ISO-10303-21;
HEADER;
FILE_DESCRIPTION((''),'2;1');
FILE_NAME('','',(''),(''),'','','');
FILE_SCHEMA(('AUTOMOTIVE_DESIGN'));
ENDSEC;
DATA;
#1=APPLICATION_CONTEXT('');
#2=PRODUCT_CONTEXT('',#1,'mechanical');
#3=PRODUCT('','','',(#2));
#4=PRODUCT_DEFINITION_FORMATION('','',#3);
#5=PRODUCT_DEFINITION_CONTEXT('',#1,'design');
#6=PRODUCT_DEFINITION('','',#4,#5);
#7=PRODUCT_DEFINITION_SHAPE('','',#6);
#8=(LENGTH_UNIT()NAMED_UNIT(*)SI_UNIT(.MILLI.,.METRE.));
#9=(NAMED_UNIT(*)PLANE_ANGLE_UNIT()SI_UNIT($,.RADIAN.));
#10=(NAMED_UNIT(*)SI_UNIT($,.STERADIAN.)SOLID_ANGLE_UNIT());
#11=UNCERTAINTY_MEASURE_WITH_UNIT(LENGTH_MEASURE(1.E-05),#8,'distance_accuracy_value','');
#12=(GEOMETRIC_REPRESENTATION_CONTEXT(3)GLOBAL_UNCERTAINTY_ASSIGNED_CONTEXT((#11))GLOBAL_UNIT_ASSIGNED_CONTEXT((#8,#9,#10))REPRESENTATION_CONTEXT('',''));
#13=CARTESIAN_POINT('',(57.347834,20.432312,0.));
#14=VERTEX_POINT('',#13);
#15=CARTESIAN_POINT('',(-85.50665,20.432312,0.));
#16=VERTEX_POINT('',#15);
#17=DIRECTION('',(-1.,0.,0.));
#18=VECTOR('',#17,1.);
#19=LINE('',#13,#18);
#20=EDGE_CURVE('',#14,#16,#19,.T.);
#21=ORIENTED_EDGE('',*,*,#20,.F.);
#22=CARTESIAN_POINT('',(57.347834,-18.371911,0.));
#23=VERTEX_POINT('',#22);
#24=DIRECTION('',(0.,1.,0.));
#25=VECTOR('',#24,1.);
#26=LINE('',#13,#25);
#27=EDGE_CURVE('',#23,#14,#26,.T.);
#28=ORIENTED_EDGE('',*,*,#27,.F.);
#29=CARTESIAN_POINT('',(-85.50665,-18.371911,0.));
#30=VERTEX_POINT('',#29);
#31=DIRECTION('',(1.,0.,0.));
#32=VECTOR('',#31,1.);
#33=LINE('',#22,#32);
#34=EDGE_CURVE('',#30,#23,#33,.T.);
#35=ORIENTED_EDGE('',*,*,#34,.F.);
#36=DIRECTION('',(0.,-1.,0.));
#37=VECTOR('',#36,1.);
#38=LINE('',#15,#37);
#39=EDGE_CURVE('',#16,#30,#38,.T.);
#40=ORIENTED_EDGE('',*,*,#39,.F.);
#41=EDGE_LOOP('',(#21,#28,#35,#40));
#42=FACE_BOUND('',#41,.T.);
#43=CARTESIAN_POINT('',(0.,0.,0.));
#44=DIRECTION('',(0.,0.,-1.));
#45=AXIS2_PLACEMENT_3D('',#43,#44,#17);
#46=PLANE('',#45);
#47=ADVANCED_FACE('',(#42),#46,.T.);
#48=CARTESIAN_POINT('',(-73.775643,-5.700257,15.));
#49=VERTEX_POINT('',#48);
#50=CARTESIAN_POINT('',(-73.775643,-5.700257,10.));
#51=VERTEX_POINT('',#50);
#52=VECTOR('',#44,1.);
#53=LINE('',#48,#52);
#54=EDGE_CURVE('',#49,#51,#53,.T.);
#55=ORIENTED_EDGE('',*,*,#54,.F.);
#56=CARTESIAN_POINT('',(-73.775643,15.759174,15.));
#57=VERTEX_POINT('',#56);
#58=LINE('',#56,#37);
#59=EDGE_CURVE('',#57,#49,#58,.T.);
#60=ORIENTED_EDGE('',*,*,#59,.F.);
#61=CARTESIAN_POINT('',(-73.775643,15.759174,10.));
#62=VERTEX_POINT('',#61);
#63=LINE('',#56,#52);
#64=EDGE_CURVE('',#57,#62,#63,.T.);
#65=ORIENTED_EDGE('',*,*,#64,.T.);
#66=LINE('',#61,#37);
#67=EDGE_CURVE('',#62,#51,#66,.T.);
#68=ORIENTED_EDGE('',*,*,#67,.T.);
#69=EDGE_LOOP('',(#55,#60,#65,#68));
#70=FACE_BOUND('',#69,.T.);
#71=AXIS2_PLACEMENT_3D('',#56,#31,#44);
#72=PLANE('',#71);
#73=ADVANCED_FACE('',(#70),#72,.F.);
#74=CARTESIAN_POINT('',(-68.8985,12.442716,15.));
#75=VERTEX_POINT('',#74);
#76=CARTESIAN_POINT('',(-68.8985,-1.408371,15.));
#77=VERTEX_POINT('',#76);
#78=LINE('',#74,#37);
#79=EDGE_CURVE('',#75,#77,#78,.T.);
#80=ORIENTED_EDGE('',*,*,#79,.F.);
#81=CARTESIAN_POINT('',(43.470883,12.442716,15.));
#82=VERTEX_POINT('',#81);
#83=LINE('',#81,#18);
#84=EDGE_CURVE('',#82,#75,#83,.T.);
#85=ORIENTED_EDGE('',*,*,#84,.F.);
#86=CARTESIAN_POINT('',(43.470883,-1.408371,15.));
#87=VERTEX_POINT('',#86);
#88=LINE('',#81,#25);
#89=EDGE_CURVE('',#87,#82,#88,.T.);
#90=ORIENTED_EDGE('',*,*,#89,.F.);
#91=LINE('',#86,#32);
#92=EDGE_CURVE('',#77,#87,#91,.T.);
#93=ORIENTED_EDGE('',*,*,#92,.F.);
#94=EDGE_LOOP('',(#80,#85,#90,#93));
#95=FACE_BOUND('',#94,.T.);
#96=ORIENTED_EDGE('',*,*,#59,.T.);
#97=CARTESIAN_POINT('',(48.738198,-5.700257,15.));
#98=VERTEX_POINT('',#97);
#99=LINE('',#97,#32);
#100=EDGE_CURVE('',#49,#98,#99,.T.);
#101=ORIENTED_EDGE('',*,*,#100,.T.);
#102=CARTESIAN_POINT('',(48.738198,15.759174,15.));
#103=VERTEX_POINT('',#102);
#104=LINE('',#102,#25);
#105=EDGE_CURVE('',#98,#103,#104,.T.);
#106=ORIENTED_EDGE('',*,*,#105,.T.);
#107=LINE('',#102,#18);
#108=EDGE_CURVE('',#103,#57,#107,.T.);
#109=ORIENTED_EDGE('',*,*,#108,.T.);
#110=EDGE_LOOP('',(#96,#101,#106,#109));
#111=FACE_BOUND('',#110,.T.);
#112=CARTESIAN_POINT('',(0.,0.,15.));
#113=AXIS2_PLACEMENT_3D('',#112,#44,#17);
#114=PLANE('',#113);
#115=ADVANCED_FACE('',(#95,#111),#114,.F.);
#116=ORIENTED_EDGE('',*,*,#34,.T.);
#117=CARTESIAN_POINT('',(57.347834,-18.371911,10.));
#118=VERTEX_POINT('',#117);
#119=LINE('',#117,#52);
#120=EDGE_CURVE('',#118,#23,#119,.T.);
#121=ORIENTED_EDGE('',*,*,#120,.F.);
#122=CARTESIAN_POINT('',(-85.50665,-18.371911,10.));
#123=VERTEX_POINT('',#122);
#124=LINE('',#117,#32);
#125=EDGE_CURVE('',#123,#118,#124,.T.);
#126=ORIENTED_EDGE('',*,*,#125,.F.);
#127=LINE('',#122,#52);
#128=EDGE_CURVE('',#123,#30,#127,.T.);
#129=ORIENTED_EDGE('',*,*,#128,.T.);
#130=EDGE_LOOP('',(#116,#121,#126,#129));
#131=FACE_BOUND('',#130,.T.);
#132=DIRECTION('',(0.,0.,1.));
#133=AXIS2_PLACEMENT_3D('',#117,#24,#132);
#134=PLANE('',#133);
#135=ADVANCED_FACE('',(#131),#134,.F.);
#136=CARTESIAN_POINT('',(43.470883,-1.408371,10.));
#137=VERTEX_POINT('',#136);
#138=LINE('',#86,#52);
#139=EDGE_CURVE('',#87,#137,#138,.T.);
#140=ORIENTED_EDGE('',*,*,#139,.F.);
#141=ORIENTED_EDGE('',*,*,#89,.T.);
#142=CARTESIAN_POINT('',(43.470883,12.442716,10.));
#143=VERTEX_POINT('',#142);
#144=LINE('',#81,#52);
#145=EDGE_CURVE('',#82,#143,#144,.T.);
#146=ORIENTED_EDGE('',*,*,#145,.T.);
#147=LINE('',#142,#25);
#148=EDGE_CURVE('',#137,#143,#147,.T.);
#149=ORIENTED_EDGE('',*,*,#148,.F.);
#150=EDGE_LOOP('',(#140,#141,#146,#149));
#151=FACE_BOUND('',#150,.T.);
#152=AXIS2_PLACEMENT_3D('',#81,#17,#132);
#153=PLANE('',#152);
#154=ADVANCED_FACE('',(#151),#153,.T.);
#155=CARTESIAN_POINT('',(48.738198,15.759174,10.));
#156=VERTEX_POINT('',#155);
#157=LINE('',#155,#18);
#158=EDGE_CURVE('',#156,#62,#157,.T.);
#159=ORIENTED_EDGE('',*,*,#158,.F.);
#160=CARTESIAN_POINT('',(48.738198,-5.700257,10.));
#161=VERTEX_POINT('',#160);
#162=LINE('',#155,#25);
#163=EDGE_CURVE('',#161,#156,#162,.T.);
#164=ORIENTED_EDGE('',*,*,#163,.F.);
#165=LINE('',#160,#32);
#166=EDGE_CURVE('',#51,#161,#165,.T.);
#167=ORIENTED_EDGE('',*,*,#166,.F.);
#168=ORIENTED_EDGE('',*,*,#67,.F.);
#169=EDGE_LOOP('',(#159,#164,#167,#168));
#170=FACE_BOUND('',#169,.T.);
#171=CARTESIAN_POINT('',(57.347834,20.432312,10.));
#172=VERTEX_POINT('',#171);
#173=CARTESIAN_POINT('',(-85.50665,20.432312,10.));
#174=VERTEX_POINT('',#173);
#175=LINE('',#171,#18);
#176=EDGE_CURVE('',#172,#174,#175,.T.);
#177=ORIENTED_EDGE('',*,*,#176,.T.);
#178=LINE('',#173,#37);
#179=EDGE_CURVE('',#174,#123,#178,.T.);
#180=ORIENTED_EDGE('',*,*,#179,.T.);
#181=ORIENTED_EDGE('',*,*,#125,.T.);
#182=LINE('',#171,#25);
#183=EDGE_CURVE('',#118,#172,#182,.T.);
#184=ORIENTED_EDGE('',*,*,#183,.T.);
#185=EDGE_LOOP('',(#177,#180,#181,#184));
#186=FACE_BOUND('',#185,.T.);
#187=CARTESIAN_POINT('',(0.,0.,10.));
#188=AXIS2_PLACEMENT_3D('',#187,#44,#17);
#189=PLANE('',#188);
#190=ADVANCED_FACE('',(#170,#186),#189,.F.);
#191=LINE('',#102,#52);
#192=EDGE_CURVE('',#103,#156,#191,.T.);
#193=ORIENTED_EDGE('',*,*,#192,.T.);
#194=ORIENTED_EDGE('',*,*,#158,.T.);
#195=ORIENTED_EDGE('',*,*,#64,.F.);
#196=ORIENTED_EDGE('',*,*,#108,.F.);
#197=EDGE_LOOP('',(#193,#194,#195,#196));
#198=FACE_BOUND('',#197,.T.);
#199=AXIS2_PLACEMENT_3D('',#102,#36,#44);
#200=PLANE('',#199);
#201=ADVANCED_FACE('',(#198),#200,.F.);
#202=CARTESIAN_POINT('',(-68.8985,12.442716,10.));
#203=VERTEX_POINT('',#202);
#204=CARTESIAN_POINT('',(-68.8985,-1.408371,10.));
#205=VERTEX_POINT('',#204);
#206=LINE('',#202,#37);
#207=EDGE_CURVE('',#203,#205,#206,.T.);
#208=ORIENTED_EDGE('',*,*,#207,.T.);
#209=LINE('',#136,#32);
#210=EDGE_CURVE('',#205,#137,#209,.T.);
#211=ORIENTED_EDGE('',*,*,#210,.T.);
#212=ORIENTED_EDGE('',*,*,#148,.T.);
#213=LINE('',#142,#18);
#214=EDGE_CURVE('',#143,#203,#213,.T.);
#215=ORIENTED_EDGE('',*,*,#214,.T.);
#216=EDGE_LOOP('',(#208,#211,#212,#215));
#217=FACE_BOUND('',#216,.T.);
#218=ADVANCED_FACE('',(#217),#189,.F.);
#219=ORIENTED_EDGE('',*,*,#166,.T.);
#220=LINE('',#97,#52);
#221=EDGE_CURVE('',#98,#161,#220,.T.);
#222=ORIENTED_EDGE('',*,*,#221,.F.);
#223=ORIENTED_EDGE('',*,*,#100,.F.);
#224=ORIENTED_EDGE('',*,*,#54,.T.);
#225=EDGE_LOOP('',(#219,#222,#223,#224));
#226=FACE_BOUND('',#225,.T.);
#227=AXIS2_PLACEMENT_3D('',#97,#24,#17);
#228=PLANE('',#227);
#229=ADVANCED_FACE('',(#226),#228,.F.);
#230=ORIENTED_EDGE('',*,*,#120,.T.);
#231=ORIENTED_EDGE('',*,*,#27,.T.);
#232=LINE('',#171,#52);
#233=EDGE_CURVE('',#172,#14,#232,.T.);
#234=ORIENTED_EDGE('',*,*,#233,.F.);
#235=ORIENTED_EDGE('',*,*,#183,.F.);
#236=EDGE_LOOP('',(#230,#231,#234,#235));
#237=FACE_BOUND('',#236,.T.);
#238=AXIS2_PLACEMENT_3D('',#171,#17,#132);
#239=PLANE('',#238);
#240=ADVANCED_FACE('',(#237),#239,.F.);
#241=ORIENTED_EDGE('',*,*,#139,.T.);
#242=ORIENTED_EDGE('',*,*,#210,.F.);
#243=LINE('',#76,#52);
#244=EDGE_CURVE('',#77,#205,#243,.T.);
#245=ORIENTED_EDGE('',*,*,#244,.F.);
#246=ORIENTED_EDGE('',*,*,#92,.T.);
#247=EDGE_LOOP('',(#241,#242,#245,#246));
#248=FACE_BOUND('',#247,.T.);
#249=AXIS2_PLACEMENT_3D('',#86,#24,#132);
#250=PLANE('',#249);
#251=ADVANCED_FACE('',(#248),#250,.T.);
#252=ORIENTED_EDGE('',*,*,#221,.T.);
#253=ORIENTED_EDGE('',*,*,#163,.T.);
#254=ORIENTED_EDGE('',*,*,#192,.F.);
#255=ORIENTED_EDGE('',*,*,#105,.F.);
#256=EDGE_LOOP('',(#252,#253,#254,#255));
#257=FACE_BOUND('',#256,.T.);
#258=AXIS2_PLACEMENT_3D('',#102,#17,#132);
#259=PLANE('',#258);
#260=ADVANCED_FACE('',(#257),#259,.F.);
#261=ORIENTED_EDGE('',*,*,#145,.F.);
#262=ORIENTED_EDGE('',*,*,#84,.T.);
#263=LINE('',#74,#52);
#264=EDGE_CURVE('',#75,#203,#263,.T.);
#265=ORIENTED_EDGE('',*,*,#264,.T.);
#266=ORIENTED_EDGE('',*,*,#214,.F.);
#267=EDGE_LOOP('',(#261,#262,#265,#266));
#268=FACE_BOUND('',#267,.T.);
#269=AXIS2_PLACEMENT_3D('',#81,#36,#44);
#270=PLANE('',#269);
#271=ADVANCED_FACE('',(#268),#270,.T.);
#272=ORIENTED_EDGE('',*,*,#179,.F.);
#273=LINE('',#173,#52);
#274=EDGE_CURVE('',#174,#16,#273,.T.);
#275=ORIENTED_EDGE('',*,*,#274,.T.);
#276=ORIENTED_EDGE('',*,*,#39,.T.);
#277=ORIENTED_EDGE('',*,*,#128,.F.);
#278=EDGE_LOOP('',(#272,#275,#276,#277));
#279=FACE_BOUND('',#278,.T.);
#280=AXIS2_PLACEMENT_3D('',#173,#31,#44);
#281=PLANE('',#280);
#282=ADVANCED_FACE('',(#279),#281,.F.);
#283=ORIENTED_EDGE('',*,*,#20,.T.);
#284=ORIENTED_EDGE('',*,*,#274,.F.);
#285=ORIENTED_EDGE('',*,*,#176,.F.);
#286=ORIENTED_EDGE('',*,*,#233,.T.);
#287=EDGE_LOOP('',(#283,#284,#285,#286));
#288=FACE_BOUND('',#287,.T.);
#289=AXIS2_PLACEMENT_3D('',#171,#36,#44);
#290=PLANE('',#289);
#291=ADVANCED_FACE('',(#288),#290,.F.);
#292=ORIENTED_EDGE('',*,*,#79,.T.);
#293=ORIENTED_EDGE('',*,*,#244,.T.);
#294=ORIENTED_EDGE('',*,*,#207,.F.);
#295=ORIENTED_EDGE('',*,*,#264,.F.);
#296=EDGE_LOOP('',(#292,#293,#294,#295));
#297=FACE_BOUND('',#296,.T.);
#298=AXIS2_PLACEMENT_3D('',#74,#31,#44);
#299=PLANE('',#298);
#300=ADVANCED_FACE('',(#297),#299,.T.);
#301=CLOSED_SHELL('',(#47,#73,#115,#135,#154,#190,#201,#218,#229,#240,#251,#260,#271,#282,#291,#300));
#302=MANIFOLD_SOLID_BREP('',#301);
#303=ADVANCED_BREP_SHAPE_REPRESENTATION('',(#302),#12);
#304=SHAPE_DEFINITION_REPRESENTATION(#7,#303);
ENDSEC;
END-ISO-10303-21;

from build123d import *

# Parameters (mm, degrees)
SKETCH1_W           = 142.854484363
SKETCH1_H           = 38.804222916
BOSS_EXTRUDE1_DEPTH = 10
SKETCH2_W           = 122.513841523
SKETCH2_H           = 21.45943084
SKETCH2_W_2         = 112.369383308
SKETCH2_H_2         = 13.851087179
BOSS_EXTRUDE2_DEPTH = 5


with BuildPart() as part:
    # Sketch1 → Boss-Extrude1 (new body)
    with BuildSketch(Plane.XY):
        with Locations((-14.079408315, 1.030200608)):
            Rectangle(SKETCH1_W, SKETCH1_H)
    extrude(amount=BOSS_EXTRUDE1_DEPTH)

    # Sketch2 → Boss-Extrude2 (add)
    with BuildSketch(Plane.XY.offset(10)):
        with Locations((-12.518722436, 5.029458174)):
            Rectangle(SKETCH2_W, SKETCH2_H)
        with Locations((-12.71380817, 5.517172512)):
            Rectangle(SKETCH2_W_2, SKETCH2_H_2, mode=Mode.SUBTRACT)
    extrude(amount=BOSS_EXTRUDE2_DEPTH)


solid = part.part
